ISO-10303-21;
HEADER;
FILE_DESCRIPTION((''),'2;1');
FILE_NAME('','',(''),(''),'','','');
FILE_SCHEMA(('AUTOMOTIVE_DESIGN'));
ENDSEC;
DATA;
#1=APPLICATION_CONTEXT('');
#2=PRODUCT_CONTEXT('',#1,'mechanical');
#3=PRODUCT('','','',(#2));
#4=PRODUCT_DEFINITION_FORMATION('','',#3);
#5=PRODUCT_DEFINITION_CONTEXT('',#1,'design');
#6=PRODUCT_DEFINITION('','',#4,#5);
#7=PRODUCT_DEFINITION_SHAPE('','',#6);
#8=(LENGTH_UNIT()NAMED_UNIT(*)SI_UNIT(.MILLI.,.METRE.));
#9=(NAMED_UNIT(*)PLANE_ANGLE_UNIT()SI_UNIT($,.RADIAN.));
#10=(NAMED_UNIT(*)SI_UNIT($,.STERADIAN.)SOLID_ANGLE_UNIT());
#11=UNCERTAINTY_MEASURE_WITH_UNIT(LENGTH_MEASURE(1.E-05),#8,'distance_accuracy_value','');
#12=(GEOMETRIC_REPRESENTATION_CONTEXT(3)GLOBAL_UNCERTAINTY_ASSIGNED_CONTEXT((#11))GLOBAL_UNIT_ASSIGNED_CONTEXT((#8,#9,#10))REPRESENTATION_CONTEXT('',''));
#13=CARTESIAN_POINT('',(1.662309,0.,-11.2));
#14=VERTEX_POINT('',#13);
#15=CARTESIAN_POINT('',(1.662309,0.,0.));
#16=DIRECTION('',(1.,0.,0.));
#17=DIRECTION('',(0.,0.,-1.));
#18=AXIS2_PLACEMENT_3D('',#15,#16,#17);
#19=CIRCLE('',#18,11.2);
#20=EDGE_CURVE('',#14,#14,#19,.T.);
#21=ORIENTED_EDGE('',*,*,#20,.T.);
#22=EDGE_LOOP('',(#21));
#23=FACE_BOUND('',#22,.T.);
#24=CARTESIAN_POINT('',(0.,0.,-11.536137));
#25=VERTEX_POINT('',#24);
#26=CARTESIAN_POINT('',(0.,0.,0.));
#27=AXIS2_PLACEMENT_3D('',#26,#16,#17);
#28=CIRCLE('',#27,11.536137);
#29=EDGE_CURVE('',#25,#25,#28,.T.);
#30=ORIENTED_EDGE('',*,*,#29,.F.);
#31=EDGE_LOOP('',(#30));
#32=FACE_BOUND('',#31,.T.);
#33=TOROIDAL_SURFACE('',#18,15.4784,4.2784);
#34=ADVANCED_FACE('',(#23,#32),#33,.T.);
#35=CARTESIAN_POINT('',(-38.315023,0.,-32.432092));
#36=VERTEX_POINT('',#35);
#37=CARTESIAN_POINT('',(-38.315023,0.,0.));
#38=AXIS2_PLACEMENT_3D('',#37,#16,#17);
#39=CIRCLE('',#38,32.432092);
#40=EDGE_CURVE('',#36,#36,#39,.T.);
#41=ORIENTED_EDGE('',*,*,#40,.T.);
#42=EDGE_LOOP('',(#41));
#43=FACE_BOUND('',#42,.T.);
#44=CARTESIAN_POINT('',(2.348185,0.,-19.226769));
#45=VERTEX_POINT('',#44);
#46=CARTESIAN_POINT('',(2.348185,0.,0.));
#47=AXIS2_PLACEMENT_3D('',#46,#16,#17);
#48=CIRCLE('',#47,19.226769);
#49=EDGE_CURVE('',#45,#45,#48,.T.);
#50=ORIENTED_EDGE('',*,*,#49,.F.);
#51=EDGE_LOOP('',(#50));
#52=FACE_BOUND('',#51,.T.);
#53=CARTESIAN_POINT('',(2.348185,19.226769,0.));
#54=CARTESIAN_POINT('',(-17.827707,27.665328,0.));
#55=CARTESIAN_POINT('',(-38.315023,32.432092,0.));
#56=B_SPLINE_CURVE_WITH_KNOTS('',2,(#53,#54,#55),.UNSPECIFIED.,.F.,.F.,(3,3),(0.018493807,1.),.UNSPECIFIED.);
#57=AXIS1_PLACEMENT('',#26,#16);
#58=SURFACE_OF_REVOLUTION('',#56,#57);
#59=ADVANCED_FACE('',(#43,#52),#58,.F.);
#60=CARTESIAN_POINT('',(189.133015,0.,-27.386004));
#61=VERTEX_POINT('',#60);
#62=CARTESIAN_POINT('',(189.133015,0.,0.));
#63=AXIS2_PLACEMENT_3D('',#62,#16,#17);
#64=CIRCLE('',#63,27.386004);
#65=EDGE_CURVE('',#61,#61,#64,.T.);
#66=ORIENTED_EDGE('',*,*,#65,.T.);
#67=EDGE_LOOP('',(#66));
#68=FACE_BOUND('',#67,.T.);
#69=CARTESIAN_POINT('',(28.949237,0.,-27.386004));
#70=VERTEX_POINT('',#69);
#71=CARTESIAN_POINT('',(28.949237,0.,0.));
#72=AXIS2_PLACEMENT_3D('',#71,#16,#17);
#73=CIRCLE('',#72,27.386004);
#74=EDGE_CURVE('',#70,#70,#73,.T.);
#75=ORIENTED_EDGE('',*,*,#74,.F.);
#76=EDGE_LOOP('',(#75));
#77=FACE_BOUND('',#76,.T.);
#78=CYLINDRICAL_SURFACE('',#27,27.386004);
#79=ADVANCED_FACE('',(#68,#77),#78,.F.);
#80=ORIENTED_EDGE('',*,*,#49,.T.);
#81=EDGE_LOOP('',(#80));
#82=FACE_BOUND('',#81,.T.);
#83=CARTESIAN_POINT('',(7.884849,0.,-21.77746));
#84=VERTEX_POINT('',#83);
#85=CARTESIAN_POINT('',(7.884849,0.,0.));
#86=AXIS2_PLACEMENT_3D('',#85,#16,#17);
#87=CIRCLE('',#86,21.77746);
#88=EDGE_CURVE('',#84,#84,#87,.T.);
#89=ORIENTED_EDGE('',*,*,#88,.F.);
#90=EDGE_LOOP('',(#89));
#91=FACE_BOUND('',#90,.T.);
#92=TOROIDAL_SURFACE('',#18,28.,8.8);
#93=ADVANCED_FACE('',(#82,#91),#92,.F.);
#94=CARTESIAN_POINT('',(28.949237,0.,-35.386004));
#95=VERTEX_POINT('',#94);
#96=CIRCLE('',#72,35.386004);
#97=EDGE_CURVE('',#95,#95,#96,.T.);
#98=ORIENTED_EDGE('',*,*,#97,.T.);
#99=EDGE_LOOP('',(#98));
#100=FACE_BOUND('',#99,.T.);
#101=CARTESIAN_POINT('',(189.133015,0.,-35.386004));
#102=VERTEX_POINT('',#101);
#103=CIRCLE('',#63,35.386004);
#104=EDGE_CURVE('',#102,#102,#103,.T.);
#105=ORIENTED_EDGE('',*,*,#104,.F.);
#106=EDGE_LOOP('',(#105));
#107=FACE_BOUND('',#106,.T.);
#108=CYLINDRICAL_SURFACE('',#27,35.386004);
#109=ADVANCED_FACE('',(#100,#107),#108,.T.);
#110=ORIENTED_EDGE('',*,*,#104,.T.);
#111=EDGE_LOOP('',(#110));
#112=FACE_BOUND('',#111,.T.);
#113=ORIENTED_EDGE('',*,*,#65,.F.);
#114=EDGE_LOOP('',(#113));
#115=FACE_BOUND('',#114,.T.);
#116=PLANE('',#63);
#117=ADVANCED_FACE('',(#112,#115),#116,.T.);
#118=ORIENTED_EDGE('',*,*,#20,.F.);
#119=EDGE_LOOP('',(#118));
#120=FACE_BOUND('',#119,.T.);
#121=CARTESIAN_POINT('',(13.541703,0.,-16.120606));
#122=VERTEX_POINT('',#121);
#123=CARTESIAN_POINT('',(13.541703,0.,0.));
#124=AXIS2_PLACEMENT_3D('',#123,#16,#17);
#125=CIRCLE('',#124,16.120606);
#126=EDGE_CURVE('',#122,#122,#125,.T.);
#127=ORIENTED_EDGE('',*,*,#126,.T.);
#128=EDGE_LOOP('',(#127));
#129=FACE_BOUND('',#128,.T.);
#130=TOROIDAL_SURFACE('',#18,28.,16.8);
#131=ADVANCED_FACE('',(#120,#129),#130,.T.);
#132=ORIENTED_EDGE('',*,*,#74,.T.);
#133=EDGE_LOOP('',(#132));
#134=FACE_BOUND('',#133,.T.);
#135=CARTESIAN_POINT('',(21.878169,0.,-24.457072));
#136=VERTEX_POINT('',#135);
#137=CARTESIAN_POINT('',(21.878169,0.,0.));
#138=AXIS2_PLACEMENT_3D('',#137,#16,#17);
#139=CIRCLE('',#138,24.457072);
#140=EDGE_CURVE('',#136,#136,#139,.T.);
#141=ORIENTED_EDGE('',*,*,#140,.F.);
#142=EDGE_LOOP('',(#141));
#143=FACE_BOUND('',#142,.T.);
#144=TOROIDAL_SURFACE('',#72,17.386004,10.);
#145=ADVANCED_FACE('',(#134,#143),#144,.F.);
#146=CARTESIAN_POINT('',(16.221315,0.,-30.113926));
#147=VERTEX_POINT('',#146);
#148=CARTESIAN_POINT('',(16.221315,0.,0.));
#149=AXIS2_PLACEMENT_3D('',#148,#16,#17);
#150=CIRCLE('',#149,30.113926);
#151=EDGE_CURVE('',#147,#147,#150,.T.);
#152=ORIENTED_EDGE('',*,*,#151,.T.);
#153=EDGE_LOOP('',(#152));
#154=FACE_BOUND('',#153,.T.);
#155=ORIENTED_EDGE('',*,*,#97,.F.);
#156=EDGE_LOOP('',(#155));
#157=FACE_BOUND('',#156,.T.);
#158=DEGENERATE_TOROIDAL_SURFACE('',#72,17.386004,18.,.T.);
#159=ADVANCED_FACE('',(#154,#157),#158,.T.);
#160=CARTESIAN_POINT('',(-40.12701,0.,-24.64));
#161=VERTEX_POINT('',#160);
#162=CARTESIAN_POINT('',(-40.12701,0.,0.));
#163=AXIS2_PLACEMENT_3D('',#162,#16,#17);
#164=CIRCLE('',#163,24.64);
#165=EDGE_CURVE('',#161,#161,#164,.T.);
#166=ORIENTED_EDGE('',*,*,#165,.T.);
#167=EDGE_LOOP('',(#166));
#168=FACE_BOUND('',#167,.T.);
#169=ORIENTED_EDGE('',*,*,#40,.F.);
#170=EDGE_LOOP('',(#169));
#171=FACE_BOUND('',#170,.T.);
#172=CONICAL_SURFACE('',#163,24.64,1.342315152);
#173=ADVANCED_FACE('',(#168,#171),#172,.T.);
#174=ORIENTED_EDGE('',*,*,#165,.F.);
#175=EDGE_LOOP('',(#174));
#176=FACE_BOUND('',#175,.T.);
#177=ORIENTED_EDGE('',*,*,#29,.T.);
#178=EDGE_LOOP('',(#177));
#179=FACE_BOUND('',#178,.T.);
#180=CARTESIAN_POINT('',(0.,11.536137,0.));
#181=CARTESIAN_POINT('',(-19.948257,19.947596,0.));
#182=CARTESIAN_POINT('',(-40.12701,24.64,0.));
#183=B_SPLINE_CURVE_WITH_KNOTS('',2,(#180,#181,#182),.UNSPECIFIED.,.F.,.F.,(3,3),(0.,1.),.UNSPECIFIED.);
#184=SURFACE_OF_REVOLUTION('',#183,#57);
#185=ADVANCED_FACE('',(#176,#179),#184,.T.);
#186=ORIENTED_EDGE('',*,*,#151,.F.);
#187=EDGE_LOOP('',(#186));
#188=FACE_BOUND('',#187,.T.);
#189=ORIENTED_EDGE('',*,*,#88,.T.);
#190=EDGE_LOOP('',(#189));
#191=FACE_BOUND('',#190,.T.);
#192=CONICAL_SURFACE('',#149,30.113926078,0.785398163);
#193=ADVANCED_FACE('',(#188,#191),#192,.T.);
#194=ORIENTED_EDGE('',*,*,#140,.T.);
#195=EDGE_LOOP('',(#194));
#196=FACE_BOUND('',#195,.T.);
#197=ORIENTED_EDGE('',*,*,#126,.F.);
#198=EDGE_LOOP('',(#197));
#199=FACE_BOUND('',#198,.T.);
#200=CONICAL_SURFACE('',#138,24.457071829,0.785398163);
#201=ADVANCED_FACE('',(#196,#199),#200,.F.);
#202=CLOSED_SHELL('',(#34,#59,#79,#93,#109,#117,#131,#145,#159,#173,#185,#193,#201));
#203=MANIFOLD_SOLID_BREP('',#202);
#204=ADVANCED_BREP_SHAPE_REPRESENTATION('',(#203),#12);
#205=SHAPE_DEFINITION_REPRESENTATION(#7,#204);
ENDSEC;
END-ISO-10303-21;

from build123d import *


with BuildPart() as part:
    # Sketch1 → Revolve1 (revolve)
    with BuildSketch(Plane.XY, mode=Mode.PRIVATE) as revolve1_sk:
        with BuildLine():
            Line((189.133015331, 27.386004017), (28.949236933, 27.386004017))
            ThreePointArc((28.949236933, 27.386004017), (25.12240261, 26.624799342), (21.878169121, 24.457071829))
            Line((21.878169121, 24.457071829), (13.541703369, 16.120606076))
            ThreePointArc((13.541703369, 16.120606076), (8.091391109, 12.478823854), (1.662309445, 11.2))
            ThreePointArc((1.662309445, 11.2), (0.81433228, 11.284876268), (0, 11.536137468))
            add(Edge.make_bspline(
                [(0, 11.536137468), (-19.948257354, 19.947595697), (-40.127010283, 24.64)],
                knots=[0, 0, 0, 1, 1, 1], degree=2))
            Line((-40.127010283, 24.64), (-38.315022829, 32.432092239))
            add(Edge.make_bspline(
                [(2.348184674, 19.226769399), (-17.827706836, 27.665327765), (-38.315022829, 32.432092239)],
                knots=[0.018493807, 0.018493807, 0.018493807, 1, 1, 1], degree=2))
            ThreePointArc((2.348184674, 19.226769399), (5.344435892, 20.007381854), (7.884849119, 21.777460326))
            Line((7.884849119, 21.777460326), (16.221314872, 30.113926078))
            ThreePointArc((16.221314872, 30.113926078), (22.060935151, 34.015835602), (28.949236933, 35.386004017))
            Line((28.949236933, 35.386004017), (189.133015331, 35.386004017))
            Line((189.133015331, 35.386004017), (189.133015331, 27.386004017))
        make_face()
    revolve(revolve1_sk.sketch.rotate(Axis((0, 0, 0), (-1, 0, 0)), 90), axis=Axis((0, 0, 0), (-1, 0, 0)))


solid = part.part
